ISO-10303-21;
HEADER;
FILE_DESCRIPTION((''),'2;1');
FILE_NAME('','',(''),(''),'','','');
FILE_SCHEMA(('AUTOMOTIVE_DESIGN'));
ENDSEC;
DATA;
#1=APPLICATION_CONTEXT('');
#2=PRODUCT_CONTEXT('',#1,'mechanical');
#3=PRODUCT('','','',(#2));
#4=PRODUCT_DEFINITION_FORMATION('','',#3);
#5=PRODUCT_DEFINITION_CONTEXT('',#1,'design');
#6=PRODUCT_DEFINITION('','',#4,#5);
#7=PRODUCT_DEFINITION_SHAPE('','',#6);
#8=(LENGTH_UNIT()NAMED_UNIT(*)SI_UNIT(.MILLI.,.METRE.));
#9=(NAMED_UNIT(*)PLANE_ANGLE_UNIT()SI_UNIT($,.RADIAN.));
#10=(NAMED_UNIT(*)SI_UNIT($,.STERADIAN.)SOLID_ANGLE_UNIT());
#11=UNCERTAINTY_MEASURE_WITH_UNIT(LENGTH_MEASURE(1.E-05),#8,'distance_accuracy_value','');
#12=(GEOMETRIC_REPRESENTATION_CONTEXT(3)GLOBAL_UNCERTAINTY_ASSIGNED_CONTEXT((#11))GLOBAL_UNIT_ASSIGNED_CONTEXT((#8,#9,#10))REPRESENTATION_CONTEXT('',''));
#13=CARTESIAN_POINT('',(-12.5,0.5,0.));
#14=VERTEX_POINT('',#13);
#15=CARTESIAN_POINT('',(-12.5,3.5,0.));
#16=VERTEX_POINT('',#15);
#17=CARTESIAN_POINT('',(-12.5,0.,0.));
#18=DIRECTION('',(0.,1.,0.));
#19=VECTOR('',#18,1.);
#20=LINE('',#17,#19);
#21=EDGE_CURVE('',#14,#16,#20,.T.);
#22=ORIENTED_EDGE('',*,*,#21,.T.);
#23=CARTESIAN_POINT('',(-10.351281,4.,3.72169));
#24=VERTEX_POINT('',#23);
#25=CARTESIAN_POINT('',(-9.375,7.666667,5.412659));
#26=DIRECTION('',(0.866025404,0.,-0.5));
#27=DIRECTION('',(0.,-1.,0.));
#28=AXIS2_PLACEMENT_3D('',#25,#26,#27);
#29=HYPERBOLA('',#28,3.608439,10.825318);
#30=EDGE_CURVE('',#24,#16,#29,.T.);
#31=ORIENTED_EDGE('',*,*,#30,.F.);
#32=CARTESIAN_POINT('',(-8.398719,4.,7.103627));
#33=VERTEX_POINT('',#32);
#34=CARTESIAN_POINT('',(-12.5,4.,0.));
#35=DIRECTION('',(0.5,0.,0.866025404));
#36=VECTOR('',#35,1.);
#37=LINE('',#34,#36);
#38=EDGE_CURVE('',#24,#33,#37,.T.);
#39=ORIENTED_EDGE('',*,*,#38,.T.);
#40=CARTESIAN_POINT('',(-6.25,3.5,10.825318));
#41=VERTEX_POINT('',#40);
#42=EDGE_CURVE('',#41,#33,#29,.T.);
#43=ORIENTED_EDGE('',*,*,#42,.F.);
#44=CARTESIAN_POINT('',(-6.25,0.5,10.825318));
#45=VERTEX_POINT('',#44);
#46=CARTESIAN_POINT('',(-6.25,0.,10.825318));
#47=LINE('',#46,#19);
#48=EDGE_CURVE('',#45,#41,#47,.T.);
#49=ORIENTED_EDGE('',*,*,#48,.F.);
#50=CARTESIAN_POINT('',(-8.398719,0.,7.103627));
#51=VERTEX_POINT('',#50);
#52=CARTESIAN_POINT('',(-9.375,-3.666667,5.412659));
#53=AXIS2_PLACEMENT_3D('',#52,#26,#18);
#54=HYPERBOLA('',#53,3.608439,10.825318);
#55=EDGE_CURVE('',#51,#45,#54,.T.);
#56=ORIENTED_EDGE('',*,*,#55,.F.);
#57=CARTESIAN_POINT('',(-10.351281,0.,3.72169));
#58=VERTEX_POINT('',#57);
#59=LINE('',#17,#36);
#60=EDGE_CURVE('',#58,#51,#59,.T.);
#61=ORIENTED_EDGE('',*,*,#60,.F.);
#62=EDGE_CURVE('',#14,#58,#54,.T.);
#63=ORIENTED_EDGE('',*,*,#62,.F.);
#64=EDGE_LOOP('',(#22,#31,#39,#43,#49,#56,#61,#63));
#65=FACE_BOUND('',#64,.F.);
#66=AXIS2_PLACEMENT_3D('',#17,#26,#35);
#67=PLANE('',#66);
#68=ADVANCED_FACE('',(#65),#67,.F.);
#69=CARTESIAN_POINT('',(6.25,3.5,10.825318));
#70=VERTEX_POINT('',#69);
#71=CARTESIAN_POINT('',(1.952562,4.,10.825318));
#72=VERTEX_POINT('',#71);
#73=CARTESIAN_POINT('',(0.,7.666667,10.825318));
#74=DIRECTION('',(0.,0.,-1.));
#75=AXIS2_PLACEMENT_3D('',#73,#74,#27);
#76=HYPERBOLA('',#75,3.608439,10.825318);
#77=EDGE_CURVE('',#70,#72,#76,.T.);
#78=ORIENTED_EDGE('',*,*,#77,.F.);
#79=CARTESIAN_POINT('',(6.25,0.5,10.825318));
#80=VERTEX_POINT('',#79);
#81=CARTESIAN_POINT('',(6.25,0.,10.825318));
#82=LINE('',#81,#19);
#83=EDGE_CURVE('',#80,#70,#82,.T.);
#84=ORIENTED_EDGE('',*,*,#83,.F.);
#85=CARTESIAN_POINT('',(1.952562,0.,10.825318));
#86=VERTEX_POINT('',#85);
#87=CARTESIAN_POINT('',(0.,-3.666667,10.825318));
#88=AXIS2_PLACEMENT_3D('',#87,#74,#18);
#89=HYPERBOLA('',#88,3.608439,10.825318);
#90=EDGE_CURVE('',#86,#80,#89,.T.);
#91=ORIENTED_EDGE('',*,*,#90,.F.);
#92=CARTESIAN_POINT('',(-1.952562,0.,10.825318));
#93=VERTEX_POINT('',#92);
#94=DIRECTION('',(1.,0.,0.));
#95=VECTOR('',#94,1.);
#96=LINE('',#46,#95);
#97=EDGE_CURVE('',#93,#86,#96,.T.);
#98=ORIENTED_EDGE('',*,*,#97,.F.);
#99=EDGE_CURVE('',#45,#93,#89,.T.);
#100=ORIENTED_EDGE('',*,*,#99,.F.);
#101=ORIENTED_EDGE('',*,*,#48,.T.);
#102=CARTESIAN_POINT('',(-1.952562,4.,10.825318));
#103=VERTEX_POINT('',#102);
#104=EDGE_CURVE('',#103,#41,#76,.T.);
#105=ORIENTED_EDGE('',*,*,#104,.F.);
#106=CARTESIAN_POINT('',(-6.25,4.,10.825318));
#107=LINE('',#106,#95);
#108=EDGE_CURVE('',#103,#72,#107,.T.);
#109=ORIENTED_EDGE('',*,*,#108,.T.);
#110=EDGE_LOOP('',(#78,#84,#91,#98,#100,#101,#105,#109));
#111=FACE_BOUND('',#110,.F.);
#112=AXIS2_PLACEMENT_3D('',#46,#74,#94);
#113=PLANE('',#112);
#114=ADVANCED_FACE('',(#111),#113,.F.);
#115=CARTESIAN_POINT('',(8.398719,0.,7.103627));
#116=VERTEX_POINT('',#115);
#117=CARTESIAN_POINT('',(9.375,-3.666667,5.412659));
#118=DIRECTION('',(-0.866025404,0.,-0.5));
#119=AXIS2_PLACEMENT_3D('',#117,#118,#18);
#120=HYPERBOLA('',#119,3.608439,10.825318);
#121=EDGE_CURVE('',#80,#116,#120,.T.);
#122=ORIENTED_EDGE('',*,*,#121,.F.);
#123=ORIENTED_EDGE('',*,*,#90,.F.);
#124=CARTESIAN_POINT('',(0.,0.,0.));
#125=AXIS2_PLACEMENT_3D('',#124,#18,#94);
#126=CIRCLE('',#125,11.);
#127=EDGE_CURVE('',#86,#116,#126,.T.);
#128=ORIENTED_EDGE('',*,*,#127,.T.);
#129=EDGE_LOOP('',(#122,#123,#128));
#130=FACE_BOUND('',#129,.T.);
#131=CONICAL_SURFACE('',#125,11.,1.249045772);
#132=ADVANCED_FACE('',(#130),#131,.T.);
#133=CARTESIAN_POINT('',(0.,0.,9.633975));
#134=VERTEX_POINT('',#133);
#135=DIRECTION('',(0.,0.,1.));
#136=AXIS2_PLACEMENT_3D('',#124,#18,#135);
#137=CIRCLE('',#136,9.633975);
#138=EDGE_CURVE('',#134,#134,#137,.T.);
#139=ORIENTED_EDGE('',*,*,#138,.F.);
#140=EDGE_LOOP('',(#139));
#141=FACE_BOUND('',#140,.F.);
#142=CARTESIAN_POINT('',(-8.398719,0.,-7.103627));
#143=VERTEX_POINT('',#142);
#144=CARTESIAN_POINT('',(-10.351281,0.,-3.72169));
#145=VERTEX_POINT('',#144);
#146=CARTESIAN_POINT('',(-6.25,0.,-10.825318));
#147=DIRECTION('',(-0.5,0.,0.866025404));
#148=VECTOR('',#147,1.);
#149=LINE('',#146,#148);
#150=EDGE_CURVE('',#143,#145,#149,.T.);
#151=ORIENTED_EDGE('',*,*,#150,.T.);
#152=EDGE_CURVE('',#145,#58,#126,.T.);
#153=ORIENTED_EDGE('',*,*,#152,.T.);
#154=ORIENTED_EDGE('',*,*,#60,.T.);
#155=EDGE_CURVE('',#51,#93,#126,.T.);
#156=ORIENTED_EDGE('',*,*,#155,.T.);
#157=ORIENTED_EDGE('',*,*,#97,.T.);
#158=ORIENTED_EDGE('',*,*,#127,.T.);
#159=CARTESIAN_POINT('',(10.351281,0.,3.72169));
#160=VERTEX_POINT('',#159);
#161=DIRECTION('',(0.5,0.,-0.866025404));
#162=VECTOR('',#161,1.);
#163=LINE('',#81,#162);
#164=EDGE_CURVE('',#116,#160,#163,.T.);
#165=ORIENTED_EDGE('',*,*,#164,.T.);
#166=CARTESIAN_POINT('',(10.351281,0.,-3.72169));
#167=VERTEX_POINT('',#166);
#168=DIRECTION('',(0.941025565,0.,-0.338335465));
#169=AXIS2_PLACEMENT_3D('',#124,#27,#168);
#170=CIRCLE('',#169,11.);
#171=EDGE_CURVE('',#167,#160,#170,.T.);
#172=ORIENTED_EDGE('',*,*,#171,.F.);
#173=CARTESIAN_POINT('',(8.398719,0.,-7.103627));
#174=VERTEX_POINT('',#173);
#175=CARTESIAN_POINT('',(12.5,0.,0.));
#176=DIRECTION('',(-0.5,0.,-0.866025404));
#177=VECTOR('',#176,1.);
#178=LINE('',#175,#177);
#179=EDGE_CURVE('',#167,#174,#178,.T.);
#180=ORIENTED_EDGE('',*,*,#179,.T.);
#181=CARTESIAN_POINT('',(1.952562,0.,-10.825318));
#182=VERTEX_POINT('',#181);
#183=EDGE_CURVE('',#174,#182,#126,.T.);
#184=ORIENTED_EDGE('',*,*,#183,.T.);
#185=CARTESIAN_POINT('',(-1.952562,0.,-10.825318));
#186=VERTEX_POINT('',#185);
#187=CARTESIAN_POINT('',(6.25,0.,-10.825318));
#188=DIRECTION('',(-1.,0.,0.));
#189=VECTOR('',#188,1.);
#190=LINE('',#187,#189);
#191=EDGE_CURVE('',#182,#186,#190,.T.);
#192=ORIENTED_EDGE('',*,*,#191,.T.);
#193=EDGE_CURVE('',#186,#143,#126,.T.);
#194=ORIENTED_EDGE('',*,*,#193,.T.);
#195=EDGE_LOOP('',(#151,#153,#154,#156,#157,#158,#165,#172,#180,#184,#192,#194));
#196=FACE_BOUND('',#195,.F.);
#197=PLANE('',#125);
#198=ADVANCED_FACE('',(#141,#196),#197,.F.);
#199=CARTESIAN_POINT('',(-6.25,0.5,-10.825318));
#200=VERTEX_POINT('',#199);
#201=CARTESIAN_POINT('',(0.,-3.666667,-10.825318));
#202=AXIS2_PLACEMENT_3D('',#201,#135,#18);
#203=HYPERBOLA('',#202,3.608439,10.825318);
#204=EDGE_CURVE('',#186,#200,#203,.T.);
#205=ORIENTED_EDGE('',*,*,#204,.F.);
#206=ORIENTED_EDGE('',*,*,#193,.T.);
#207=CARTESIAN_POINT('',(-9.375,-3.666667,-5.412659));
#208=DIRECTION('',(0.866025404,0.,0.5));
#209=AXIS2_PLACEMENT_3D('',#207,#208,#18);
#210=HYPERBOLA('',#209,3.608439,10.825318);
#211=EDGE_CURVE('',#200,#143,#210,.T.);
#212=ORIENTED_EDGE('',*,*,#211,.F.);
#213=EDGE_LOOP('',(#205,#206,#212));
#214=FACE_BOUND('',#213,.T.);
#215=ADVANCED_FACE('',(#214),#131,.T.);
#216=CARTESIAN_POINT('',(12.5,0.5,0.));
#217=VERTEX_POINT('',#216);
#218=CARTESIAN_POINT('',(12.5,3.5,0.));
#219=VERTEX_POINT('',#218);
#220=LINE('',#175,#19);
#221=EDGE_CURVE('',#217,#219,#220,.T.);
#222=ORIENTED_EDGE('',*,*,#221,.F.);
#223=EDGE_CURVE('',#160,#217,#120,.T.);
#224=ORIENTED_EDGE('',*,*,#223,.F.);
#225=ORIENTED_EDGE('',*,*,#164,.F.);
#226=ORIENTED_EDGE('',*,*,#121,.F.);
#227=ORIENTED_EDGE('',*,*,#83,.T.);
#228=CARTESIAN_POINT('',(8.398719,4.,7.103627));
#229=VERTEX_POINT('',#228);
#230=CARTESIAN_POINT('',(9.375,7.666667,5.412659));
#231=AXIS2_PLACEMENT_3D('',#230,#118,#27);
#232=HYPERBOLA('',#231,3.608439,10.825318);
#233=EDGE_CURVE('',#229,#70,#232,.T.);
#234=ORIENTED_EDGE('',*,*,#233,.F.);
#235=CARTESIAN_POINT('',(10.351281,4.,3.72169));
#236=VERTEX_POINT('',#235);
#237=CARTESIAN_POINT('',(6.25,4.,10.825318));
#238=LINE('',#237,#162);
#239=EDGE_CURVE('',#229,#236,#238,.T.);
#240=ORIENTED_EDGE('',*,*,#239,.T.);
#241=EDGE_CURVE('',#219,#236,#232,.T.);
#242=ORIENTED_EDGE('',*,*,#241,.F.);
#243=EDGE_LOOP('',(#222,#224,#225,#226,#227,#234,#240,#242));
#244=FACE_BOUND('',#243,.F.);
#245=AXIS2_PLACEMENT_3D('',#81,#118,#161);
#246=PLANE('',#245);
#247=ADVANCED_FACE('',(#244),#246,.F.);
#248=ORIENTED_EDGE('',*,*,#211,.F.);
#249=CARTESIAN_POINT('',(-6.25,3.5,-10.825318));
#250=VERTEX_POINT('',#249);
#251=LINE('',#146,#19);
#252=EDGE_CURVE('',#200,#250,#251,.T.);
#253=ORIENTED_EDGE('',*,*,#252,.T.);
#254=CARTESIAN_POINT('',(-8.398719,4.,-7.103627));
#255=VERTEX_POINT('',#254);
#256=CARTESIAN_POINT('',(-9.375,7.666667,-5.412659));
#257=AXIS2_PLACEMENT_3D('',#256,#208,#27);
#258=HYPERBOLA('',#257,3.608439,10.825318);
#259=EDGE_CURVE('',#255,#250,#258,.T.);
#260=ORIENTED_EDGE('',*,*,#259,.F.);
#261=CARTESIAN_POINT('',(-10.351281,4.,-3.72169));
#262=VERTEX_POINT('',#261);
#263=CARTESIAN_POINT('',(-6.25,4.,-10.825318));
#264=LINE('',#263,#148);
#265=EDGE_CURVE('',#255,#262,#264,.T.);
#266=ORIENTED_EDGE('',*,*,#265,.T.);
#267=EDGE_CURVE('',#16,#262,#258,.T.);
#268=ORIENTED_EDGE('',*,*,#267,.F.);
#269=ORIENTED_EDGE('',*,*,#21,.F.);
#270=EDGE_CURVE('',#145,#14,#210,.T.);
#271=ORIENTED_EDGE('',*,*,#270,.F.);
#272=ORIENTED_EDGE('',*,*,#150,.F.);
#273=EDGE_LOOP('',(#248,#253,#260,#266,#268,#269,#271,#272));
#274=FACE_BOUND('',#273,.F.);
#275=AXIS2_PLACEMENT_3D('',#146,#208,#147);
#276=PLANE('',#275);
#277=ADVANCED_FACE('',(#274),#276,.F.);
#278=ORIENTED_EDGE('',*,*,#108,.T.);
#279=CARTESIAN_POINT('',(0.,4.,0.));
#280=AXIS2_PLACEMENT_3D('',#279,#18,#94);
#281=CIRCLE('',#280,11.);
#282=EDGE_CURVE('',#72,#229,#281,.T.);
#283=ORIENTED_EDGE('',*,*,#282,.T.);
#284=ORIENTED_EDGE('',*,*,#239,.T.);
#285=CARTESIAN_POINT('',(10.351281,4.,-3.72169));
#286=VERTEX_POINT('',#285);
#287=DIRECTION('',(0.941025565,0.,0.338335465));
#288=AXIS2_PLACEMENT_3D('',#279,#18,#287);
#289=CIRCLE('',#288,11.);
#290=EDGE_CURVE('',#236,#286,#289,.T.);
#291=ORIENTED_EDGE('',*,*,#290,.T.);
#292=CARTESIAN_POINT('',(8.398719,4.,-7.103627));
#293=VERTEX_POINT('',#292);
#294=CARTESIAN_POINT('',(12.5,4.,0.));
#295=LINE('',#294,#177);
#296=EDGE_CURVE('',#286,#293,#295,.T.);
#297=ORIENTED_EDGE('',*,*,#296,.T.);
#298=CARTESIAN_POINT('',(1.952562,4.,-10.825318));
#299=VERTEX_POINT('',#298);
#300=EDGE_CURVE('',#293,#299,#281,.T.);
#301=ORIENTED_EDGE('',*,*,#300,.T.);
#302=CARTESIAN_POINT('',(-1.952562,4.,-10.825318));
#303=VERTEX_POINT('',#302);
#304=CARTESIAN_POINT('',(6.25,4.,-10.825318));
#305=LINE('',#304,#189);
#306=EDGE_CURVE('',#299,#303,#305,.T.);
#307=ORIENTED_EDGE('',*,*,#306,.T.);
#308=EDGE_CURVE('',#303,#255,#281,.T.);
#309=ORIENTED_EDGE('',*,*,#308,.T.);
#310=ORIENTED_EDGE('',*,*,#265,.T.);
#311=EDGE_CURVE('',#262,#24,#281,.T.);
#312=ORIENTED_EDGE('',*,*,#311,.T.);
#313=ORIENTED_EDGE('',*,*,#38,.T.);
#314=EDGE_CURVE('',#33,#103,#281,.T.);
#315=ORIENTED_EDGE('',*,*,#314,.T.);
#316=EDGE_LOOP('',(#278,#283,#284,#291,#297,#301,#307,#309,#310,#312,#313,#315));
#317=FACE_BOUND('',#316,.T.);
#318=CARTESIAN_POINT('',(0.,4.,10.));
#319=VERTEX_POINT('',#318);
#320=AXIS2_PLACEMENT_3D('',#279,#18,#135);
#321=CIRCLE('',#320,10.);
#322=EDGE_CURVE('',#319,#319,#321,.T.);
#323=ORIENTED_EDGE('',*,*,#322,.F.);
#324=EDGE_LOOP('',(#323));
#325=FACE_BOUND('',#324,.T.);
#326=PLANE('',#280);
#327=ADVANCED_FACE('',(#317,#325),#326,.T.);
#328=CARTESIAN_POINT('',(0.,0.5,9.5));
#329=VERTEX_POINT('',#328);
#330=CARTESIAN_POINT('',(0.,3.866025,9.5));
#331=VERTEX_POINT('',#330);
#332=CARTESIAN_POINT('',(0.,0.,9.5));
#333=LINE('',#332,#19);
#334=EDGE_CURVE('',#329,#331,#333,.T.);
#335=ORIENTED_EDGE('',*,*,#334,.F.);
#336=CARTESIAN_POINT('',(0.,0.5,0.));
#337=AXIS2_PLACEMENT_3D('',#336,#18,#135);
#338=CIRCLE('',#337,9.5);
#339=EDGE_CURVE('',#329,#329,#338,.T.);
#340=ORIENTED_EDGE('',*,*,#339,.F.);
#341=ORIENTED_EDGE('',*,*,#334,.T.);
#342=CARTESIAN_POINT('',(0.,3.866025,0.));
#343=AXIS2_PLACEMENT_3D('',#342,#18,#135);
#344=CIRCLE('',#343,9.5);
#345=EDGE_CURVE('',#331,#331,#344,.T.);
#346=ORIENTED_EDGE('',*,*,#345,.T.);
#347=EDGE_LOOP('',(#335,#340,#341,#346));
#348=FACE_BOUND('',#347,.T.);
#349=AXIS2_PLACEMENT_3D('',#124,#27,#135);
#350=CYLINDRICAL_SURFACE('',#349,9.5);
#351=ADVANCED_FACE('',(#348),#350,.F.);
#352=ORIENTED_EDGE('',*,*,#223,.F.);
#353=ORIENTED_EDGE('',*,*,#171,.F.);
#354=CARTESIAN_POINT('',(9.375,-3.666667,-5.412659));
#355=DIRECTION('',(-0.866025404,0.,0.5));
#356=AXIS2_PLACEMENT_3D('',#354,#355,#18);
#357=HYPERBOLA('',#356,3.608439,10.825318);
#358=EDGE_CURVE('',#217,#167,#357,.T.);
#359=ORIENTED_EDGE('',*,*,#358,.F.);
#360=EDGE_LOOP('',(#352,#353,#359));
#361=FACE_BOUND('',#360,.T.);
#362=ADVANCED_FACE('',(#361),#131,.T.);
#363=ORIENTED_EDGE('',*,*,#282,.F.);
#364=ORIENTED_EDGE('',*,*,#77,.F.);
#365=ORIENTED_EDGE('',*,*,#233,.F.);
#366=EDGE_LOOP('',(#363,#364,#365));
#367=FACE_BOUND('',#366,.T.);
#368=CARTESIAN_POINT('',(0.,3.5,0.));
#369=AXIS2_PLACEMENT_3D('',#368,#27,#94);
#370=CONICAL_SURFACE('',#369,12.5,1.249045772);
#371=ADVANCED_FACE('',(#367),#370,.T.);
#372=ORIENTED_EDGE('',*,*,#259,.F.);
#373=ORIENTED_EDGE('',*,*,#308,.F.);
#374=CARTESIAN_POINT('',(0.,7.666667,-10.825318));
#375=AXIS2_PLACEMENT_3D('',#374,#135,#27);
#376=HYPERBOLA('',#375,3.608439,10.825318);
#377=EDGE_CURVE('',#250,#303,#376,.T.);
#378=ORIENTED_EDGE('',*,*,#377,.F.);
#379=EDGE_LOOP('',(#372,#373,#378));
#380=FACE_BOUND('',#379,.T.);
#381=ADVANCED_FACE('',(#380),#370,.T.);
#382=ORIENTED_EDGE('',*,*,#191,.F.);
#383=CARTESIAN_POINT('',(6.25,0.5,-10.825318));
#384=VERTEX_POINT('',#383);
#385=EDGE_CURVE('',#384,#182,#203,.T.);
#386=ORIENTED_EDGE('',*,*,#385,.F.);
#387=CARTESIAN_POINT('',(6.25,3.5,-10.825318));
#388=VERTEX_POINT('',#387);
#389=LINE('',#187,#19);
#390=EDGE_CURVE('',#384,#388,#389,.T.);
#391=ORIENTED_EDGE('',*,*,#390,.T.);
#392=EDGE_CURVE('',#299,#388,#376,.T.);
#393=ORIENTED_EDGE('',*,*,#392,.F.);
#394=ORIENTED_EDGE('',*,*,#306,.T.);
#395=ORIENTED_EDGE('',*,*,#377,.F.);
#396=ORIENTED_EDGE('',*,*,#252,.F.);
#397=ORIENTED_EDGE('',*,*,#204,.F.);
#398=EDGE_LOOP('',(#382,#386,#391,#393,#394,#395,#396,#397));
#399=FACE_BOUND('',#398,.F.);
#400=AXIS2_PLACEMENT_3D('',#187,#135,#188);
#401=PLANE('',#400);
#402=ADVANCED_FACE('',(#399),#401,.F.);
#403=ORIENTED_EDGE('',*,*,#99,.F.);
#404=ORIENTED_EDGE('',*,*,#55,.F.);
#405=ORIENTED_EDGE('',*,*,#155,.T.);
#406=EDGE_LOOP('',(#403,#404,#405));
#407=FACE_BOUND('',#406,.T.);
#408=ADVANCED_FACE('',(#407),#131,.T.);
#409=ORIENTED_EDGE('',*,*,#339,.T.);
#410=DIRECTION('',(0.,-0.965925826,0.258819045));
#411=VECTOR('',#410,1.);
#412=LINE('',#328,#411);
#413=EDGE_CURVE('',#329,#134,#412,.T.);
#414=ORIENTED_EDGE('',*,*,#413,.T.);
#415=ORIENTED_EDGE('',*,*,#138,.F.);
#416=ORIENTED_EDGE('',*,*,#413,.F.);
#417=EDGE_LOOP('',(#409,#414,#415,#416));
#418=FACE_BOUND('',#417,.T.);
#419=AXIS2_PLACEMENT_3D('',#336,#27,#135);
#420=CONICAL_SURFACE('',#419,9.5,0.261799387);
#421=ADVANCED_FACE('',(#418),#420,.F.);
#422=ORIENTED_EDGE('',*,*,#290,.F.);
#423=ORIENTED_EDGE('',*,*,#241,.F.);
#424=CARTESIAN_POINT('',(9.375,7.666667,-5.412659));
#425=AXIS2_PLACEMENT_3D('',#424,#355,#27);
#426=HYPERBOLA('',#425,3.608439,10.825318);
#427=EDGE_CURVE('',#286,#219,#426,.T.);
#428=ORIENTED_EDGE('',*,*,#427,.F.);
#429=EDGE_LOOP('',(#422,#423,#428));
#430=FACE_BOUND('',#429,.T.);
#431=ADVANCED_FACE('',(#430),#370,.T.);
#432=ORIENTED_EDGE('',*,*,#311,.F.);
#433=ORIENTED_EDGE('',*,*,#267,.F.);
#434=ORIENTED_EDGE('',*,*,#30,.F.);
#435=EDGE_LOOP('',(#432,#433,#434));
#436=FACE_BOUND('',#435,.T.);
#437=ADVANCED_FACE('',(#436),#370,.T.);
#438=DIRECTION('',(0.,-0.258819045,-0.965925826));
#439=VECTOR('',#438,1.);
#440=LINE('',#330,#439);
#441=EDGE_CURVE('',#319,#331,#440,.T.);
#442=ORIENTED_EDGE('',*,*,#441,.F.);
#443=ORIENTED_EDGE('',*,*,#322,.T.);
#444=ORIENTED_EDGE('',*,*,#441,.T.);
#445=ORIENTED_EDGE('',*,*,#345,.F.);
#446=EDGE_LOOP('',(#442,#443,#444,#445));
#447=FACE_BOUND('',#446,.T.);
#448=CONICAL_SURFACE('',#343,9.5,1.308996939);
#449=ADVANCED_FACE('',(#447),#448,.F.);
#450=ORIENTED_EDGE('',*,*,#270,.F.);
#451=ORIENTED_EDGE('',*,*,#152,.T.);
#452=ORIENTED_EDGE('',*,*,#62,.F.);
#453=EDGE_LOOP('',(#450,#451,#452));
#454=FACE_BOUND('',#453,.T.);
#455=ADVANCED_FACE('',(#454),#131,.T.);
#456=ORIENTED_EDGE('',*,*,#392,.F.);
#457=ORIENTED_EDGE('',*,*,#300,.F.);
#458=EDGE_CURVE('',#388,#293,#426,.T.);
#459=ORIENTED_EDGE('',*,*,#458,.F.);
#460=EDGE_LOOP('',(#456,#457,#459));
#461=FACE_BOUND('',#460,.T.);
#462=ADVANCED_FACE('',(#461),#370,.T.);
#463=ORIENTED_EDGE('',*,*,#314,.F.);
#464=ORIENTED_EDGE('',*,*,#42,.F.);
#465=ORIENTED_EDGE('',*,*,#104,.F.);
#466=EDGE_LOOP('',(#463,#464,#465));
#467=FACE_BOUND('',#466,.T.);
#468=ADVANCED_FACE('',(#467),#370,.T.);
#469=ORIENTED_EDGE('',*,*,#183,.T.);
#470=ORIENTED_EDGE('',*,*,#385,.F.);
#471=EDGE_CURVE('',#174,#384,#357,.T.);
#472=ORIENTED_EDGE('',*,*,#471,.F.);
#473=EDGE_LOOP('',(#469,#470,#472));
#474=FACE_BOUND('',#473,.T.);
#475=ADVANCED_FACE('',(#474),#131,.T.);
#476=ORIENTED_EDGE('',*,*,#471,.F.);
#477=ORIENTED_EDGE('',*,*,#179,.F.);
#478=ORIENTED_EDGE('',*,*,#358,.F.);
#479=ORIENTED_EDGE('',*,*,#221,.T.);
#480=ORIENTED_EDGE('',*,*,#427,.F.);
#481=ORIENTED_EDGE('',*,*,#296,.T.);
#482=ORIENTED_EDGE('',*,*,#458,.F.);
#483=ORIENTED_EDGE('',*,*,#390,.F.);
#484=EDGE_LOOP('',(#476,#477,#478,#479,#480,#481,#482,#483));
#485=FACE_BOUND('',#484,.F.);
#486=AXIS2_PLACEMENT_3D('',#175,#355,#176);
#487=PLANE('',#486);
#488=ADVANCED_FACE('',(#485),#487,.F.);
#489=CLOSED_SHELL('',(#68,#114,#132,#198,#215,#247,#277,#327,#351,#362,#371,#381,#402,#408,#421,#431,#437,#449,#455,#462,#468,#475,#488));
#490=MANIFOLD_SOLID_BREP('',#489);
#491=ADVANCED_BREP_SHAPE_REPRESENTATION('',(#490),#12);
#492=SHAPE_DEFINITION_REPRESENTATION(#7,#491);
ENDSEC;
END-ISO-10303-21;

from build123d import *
from OCP.BRepFilletAPI import BRepFilletAPI_MakeChamfer

# Parameters (mm, degrees)
SKETCH_1_R      = 9.5
EXTRUDE_1_DEPTH = 4
CHAMFER_1_SIZE  = 0.5
CHAMFER_1_SIZE2 = 0.133974596


with BuildPart() as part:
    # 草图1 → 凸台-拉伸1 (new body)
    with BuildSketch(Plane(origin=(0, 0, 0), x_dir=(1, 0, 0), z_dir=(0, 1, 0))):
        Polygon((6.25, 10.825317547), (-6.25, 10.825317547), (-12.5, 0), (-6.25, -10.825317547), (6.25, -10.825317547), (12.5, 0), align=None)
        with Locations(Location((0, 0, 0), (0, 0, 270))):
            Circle(SKETCH_1_R, mode=Mode.SUBTRACT)
    extrude(amount=EXTRUDE_1_DEPTH)

    # 草图2 → 切除-旋转2 (revolve, cut)
    with BuildSketch(Plane.XY):
        Polygon((11, 4), (12.5, 4), (12.5, 3.5), align=None)
        Polygon((12.5, 0.5), (12.5, 0), (11, 0), align=None)
    revolve(axis=Axis((0, 0, 0), (0, 1, 0)), mode=Mode.SUBTRACT)

    # 倒角1: one chamfer whose edges measure the first distance from different faces: ONE call of the kernel's chamfer builder (chamfer() names one face for all edges)
    chamfer_1_edges_1 = [part.edges().sort_by_distance(p)[0] for p in [
        (0, 0, -9.5),
    ]]
    chamfer_1_side_1 = [part.faces().sort_by_distance(p)[0] for p in [
        (0, 2, -9.5),
    ]]
    chamfer_1_edges_2 = [part.edges().sort_by_distance(p)[0] for p in [
        (0, 4, -9.5),
    ]]
    chamfer_1_side_2 = [part.faces().sort_by_distance(p)[0] for p in [
        (5.345666757, 4, -9.258966423),
    ]]
    chamfer_1 = BRepFilletAPI_MakeChamfer(part.part.solid().wrapped)
    for e in chamfer_1_edges_1:
        chamfer_1.Add(CHAMFER_1_SIZE, CHAMFER_1_SIZE2, e.wrapped, chamfer_1_side_1[0].wrapped)  # the first distance lies on this face
    for e in chamfer_1_edges_2:
        chamfer_1.Add(CHAMFER_1_SIZE, CHAMFER_1_SIZE2, e.wrapped, chamfer_1_side_2[0].wrapped)  # the first distance lies on this face
    add(Compound.cast(chamfer_1.Shape()), mode=Mode.REPLACE)


solid = part.part
